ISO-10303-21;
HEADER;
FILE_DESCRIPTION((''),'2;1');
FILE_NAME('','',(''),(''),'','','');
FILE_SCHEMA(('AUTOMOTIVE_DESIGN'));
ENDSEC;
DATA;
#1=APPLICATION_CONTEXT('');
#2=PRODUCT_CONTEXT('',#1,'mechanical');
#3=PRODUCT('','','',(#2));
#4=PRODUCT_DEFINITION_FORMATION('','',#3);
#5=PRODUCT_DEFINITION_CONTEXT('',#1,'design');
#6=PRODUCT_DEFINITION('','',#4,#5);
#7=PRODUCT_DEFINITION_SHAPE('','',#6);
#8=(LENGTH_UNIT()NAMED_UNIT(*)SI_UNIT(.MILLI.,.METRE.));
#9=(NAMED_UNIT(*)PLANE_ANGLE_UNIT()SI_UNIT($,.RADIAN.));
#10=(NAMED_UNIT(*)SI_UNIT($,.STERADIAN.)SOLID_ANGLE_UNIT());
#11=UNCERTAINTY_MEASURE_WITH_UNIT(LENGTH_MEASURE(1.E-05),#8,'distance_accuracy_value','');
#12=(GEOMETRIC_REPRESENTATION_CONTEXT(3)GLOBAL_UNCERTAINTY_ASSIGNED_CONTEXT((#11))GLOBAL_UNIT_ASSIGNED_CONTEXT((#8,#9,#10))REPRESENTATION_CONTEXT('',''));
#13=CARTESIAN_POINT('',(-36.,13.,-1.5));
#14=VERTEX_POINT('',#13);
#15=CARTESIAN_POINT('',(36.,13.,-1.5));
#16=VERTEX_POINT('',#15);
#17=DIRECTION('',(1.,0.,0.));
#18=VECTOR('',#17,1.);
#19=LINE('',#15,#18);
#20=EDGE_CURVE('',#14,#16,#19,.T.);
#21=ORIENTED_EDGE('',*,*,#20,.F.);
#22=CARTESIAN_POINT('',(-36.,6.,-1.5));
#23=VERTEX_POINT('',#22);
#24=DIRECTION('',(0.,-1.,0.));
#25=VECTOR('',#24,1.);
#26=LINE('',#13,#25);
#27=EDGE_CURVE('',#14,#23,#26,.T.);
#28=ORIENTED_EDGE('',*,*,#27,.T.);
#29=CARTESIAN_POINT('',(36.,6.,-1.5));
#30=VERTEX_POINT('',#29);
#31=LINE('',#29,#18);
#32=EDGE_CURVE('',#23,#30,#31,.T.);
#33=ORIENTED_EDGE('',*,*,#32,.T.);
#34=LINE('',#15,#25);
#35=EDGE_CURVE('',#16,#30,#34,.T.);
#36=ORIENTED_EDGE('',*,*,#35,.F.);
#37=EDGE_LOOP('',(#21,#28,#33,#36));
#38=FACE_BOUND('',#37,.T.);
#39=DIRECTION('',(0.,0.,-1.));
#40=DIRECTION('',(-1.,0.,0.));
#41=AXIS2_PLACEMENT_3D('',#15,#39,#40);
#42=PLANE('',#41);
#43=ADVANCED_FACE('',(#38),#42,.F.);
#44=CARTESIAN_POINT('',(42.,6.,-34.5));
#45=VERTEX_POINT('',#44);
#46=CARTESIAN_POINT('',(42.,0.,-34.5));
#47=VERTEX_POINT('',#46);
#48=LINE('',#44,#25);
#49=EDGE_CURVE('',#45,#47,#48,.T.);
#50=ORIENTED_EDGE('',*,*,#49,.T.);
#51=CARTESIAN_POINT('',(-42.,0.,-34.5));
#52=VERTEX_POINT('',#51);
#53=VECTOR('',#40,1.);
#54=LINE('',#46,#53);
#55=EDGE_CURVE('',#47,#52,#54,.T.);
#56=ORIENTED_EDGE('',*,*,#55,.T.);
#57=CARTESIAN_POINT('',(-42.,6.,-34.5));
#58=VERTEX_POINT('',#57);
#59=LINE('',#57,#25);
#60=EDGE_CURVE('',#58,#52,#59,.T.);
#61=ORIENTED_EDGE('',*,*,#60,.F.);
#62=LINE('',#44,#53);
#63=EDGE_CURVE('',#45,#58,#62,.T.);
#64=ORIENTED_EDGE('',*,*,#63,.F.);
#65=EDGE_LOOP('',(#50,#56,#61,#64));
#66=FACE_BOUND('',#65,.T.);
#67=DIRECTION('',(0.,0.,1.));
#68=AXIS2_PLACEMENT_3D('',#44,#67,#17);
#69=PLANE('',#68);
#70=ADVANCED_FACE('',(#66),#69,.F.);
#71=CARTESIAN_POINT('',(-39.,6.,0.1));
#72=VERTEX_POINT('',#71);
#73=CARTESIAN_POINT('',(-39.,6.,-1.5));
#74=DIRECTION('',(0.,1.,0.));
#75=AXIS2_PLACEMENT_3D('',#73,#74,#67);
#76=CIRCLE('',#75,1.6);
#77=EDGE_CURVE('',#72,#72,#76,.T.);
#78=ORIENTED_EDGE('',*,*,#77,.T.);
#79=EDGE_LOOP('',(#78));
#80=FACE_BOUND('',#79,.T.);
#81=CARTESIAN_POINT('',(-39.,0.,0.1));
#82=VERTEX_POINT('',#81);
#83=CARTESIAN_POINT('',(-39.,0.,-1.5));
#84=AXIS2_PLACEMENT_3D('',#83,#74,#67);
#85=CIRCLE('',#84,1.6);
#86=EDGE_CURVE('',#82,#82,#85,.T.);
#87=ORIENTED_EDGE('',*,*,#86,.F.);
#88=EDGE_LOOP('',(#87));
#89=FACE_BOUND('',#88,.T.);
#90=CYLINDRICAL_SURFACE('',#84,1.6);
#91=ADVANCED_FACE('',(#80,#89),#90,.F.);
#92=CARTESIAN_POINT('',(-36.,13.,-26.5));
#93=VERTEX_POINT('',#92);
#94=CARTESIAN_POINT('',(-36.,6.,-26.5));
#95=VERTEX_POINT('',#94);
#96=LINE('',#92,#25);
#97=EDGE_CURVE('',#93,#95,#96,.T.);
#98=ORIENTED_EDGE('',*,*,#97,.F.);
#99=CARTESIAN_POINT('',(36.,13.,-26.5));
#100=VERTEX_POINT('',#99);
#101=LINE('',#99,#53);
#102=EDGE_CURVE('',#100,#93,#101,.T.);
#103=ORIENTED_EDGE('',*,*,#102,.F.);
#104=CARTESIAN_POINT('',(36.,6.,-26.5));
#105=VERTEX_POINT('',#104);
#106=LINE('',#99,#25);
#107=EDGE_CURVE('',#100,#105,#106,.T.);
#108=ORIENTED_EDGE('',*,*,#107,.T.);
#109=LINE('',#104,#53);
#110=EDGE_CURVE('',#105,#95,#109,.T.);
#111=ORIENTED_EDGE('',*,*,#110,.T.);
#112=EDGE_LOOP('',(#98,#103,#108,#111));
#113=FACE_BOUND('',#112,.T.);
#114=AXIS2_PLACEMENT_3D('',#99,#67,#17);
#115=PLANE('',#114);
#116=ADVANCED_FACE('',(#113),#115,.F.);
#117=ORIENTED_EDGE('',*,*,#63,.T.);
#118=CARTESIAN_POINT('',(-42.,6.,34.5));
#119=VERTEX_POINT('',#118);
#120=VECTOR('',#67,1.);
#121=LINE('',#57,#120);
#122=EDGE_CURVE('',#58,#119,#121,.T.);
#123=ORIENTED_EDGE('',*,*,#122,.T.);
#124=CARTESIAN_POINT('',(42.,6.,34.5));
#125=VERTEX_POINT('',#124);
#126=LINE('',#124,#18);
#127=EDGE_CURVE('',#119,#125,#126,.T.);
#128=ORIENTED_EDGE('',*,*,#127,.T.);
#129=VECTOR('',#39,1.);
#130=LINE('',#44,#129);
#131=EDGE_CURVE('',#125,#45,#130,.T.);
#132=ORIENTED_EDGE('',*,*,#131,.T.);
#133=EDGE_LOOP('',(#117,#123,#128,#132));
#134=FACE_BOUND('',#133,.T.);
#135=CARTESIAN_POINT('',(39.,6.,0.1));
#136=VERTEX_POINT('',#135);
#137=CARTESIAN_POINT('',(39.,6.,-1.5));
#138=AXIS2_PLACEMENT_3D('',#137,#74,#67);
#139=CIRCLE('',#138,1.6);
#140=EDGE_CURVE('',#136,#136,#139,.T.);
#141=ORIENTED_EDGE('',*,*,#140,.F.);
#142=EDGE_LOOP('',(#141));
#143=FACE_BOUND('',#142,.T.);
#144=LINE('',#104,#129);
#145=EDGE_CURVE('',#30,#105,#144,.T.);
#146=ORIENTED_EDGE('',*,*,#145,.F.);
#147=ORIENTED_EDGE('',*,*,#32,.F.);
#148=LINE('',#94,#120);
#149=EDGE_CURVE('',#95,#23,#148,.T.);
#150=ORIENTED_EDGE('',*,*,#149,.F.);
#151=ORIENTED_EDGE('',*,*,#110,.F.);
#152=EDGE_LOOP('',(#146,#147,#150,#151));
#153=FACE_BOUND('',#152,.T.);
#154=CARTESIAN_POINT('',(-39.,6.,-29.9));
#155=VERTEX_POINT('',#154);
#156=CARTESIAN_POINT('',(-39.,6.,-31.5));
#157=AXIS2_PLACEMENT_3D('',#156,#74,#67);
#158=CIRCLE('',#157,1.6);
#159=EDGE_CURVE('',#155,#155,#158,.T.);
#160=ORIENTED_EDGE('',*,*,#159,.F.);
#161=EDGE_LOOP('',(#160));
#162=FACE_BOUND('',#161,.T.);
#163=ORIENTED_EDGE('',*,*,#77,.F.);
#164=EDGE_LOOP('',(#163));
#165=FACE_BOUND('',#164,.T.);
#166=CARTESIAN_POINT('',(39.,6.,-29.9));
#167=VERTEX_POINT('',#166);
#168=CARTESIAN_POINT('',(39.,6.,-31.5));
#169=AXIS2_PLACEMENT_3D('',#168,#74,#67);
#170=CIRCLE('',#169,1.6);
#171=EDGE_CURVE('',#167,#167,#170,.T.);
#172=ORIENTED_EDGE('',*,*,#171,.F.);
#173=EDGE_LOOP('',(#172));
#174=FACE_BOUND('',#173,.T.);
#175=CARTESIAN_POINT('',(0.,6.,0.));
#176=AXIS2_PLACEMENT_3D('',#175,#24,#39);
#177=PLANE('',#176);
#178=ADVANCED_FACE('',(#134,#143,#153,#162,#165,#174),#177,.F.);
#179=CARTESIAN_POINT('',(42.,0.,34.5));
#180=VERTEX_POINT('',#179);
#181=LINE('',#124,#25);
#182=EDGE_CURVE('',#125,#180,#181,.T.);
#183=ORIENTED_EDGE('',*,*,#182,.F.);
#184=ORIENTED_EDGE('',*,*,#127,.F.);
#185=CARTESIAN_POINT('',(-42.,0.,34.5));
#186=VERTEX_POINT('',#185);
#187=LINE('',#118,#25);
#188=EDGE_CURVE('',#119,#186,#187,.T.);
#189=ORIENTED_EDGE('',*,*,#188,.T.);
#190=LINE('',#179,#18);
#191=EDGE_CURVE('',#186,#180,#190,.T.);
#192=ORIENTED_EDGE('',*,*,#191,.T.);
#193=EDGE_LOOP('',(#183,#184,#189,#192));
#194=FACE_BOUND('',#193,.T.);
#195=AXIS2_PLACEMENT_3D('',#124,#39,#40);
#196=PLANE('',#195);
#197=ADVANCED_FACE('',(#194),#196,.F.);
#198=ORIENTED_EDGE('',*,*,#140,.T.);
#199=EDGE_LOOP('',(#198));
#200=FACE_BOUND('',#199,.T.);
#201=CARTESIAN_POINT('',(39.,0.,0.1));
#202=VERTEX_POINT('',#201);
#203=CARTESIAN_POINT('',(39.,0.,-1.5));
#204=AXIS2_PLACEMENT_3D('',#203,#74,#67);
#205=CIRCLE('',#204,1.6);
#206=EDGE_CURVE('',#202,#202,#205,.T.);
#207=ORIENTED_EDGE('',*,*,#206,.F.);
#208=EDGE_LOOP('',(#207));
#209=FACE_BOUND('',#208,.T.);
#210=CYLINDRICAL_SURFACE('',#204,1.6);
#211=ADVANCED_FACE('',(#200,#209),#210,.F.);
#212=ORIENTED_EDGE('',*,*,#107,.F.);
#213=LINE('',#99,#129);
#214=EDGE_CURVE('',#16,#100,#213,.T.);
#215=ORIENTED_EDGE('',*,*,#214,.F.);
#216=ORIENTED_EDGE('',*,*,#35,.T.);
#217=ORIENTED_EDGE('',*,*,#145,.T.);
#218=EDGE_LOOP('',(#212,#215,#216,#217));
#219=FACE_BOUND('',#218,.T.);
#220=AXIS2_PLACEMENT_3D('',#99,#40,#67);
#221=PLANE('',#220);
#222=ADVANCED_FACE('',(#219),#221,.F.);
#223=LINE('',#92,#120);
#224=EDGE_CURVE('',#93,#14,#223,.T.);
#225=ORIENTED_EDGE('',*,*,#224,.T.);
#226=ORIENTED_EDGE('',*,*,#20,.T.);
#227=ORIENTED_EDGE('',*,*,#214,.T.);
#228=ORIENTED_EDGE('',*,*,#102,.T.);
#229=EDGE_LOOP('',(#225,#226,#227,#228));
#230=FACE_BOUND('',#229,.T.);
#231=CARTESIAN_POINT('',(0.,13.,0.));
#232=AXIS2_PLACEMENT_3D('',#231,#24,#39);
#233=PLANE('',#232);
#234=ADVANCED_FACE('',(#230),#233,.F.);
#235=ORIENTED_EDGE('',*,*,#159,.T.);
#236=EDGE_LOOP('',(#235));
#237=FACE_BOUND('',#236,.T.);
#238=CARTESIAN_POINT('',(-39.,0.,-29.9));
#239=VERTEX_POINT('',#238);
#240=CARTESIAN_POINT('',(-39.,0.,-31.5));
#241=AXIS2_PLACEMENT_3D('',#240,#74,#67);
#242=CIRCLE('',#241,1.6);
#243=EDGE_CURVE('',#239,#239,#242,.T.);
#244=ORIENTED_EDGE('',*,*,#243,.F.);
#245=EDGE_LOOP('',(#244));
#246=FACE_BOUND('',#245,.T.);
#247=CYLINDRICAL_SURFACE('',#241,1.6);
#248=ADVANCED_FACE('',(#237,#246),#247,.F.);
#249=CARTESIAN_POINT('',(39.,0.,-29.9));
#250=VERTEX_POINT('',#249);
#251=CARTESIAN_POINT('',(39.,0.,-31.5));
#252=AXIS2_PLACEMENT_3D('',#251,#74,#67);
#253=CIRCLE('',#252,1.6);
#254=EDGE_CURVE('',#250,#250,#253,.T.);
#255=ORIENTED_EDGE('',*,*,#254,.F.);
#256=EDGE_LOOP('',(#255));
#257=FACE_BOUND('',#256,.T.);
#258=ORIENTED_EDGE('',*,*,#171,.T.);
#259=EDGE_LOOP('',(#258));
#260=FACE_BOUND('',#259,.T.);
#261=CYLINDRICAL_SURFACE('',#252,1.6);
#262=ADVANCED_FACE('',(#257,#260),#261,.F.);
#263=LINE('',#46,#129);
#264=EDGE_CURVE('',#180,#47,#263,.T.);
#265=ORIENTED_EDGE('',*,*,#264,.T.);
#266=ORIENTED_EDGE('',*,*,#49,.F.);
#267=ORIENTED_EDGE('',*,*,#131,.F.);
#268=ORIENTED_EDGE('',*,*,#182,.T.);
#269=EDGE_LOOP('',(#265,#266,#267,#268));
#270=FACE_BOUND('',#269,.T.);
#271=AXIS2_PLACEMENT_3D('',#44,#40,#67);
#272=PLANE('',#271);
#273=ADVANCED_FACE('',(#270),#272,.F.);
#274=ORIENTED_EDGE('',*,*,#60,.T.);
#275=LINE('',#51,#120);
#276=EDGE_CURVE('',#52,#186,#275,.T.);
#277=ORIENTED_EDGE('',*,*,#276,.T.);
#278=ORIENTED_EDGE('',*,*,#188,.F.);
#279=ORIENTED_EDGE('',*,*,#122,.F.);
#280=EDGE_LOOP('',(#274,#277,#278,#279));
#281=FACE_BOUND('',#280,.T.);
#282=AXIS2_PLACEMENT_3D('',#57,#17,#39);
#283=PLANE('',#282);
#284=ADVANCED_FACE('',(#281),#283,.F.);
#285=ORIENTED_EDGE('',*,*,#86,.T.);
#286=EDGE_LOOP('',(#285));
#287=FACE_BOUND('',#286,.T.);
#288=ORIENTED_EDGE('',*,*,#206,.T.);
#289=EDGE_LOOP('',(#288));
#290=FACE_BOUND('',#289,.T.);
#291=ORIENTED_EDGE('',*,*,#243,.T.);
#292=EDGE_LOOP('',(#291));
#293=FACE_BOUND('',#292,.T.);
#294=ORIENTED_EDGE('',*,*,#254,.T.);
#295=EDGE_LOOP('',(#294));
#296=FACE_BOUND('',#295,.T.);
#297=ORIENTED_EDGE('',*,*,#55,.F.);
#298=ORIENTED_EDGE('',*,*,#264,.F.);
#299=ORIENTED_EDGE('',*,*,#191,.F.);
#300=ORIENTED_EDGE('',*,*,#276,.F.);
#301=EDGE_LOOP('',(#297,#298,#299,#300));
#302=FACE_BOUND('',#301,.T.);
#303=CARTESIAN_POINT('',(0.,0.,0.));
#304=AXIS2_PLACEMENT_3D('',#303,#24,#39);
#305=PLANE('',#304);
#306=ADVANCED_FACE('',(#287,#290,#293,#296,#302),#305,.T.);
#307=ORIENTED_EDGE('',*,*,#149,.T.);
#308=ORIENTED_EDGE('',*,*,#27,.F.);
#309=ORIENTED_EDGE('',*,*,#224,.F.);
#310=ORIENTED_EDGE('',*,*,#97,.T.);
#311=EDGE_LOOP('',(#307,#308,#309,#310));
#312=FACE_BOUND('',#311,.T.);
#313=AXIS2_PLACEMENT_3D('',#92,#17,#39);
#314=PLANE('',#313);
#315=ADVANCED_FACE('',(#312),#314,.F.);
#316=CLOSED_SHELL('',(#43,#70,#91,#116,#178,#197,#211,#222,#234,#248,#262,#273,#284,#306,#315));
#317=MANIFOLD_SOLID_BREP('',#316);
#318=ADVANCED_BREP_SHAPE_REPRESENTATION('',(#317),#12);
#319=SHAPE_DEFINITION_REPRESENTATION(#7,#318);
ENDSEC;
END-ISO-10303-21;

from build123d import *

# Parameters (mm, degrees)
SKETCH1_W           = 84
SKETCH1_H           = 69
BOSS_EXTRUDE1_DEPTH = 6
SKETCH2_W           = 72
SKETCH2_H           = 25
BOSS_EXTRUDE2_DEPTH = 7
SKETCH3_R           = 1.6
CUT_EXTRUDE1_DEPTH  = 55.801916025
SKETCH4_R           = 1.6
CUT_EXTRUDE2_DEPTH  = 55.801916025
SKETCH5_R           = 1.6
CUT_EXTRUDE3_DEPTH  = 55.801916025
SKETCH6_R           = 1.6
CUT_EXTRUDE4_DEPTH  = 55.801916025


with BuildPart() as part:
    # Sketch1 → Boss-Extrude1 (new body)
    with BuildSketch(Plane(origin=(0, 0, 0), x_dir=(1, 0, 0), z_dir=(0, 1, 0))):
        Rectangle(SKETCH1_W, SKETCH1_H)
    extrude(amount=BOSS_EXTRUDE1_DEPTH)

    # Sketch2 → Boss-Extrude2 (add)
    with BuildSketch(Plane(origin=(0, 6, 0), x_dir=(1, 0, 0), z_dir=(0, 1, 0))):
        with Locations((0, 14)):
            Rectangle(SKETCH2_W, SKETCH2_H)
    extrude(amount=BOSS_EXTRUDE2_DEPTH)

    # Sketch3 → Cut-Extrude1 (cut, through all)
    with BuildSketch(Plane(origin=(0, 6, 0), x_dir=(1, 0, 0), z_dir=(0, 1, 0))):
        with Locations(Location((-39, 31.5, 0), (0, 0, 270))):
            Circle(SKETCH3_R)
    extrude(amount=-CUT_EXTRUDE1_DEPTH, mode=Mode.SUBTRACT)

    # Sketch4 → Cut-Extrude2 (cut, through all)
    with BuildSketch(Plane(origin=(0, 6, 0), x_dir=(1, 0, 0), z_dir=(0, 1, 0))):
        with Locations(Location((39, 31.5, 0), (0, 0, 270))):
            Circle(SKETCH4_R)
    extrude(amount=-CUT_EXTRUDE2_DEPTH, mode=Mode.SUBTRACT)

    # Sketch5 → Cut-Extrude3 (cut, through all)
    with BuildSketch(Plane(origin=(0, 6, 0), x_dir=(1, 0, 0), z_dir=(0, 1, 0))):
        with Locations(Location((-39, 1.5, 0), (0, 0, 270))):
            Circle(SKETCH5_R)
    extrude(amount=-CUT_EXTRUDE3_DEPTH, mode=Mode.SUBTRACT)

    # Sketch6 → Cut-Extrude4 (cut, through all)
    with BuildSketch(Plane(origin=(0, 6, 0), x_dir=(1, 0, 0), z_dir=(0, 1, 0))):
        with Locations(Location((39, 1.5, 0), (0, 0, 270))):
            Circle(SKETCH6_R)
    extrude(amount=-CUT_EXTRUDE4_DEPTH, mode=Mode.SUBTRACT)


solid = part.part
